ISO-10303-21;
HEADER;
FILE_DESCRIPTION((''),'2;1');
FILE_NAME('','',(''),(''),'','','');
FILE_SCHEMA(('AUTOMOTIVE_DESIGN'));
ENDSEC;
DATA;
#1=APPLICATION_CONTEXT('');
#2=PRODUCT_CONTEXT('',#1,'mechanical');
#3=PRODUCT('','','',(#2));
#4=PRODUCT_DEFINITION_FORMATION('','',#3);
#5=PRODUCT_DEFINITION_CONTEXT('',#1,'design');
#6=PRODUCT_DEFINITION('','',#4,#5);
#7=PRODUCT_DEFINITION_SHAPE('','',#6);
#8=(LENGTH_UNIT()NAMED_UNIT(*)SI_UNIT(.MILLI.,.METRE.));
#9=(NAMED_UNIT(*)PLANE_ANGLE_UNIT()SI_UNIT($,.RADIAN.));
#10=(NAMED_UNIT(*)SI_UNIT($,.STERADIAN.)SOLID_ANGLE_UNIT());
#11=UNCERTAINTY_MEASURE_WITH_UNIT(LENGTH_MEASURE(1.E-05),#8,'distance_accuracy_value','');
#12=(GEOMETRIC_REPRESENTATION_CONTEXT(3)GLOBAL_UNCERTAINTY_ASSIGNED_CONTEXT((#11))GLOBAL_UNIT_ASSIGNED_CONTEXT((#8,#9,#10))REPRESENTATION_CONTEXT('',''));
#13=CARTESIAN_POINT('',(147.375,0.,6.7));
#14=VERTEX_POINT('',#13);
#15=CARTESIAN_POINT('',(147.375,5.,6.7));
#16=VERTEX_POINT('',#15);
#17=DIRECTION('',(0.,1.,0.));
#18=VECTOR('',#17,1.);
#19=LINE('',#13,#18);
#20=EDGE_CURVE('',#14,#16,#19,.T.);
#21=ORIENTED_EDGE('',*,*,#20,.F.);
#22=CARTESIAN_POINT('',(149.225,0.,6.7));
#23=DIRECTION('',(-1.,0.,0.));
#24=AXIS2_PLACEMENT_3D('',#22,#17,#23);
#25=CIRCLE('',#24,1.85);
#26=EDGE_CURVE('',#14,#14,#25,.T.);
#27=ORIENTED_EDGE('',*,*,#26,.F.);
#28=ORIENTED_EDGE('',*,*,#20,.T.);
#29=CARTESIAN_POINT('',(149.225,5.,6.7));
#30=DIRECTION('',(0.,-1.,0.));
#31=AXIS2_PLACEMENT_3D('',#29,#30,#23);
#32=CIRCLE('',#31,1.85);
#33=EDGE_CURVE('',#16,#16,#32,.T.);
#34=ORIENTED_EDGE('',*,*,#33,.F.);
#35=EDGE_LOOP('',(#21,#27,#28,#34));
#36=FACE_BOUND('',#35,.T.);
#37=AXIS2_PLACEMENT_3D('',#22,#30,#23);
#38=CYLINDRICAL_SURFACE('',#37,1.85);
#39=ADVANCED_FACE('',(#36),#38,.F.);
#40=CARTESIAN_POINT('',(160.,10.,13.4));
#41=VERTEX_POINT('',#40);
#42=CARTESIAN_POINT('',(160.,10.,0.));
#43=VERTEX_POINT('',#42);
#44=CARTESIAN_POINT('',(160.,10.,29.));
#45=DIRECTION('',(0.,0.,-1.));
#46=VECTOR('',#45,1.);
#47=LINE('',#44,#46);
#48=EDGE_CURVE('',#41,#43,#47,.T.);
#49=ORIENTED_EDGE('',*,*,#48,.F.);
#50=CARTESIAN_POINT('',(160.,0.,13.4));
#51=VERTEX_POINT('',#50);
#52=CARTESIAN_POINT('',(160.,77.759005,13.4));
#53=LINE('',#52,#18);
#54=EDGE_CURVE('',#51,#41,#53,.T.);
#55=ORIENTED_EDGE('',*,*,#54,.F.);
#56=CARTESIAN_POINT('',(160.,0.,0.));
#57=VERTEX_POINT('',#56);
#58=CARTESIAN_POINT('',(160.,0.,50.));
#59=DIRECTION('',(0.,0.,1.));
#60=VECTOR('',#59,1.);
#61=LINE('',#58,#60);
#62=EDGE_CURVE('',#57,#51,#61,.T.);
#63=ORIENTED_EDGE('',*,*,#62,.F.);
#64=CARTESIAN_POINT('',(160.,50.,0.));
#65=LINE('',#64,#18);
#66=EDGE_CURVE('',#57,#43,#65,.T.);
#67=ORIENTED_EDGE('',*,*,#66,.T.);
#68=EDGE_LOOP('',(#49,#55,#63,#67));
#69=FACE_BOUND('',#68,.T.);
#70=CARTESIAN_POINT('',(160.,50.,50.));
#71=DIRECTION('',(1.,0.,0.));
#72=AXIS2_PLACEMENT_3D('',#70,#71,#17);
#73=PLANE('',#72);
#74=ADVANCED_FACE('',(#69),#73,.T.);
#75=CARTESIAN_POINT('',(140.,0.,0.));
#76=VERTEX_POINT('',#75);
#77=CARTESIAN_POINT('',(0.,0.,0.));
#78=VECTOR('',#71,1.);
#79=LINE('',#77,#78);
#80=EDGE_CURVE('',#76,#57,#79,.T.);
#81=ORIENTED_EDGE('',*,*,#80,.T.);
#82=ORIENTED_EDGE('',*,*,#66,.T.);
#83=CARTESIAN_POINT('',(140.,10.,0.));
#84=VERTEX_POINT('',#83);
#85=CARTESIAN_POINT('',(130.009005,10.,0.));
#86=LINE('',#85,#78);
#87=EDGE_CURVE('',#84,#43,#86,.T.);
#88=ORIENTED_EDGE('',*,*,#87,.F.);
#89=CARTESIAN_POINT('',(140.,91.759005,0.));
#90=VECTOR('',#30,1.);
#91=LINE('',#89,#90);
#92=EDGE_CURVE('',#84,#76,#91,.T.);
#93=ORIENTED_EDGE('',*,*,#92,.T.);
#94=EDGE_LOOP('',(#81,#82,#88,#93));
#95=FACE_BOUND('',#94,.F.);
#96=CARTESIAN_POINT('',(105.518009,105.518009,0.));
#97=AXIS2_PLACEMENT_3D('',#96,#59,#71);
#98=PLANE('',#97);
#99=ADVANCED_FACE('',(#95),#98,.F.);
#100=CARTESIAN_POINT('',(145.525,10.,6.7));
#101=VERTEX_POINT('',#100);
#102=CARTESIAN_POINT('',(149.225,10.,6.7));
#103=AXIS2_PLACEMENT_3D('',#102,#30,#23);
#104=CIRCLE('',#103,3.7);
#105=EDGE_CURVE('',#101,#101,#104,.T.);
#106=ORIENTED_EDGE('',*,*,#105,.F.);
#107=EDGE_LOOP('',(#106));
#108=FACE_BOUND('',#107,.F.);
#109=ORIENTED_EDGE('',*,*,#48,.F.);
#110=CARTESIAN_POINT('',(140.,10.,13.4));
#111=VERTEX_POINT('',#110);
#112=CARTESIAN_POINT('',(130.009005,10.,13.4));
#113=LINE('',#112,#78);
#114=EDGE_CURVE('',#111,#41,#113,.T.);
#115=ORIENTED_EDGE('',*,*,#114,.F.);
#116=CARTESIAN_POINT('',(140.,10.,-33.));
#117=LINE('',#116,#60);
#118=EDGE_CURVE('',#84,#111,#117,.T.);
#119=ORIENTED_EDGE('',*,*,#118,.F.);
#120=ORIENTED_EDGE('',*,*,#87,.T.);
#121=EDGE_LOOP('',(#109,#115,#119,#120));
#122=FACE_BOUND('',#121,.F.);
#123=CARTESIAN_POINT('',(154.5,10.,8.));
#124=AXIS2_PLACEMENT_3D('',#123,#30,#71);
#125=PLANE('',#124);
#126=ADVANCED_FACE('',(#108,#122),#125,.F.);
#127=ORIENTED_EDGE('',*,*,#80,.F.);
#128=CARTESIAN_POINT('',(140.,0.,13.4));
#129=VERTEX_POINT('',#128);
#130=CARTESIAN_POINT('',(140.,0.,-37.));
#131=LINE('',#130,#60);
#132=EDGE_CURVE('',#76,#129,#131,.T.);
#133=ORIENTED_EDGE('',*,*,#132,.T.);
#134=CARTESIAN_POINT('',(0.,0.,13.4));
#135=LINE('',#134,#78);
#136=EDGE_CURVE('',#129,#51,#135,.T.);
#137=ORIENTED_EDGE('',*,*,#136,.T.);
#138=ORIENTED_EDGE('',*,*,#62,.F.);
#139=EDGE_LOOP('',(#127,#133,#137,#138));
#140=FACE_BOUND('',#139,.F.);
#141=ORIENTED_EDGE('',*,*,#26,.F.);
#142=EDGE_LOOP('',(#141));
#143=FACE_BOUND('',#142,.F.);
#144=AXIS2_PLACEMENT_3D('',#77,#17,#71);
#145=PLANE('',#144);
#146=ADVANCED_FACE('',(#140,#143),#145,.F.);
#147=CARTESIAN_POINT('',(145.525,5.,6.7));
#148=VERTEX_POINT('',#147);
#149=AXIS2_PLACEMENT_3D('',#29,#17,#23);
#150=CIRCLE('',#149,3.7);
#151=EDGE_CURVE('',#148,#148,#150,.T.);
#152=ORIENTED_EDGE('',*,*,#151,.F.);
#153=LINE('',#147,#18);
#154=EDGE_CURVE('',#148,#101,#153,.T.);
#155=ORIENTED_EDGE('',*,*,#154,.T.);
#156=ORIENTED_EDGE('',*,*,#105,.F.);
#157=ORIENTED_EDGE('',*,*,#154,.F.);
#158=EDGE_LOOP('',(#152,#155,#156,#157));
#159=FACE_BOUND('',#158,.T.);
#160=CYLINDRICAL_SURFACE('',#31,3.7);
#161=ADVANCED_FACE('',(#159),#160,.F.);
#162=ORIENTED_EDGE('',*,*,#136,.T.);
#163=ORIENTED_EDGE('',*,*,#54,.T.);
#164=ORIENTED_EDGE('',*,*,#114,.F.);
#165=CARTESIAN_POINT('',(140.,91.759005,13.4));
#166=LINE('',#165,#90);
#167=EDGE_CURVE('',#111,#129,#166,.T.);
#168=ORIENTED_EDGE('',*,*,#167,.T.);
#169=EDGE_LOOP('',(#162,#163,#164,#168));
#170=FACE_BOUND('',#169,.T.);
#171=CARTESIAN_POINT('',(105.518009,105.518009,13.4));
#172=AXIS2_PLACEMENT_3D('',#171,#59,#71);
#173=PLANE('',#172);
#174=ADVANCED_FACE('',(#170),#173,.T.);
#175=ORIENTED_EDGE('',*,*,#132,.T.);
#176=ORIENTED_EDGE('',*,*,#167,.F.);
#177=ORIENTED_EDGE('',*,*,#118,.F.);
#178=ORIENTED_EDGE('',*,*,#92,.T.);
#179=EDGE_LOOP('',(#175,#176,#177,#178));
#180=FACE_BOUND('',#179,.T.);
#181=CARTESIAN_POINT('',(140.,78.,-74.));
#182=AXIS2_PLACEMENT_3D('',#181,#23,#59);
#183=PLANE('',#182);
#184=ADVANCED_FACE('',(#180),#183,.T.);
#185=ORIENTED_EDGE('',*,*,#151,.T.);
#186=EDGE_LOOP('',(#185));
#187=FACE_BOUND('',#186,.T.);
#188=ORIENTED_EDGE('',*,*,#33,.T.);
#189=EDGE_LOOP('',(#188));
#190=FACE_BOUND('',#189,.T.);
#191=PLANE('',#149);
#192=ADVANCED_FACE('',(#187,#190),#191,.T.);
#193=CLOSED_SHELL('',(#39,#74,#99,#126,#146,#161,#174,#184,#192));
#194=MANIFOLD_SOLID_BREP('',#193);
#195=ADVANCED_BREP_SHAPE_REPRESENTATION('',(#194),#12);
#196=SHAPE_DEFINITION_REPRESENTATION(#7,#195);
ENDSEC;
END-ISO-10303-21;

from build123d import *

# Parameters (mm, degrees)
PAD_DEPTH              = 13.4
CYLINDER_W             = 6.7
CYLINDER_H             = 298.45
CYLINDER_ANGLE         = 180
CYLINDER001_R          = 99.483333
CYLINDER001_DEPTH      = 32
BOX_W                  = 149.225
BOX_H                  = 30
BOX_DEPTH              = 21
BOX001_W               = 33
BOX001_H               = 149.225
BOX001_DEPTH           = 22
CYLINDER002_R          = 3.7
CYLINDER002_DEPTH      = 105
LINEARPATTERN_COUNT    = 3
LINEARPATTERN_PITCH    = 74.6125
CYLINDER003_R          = 1.85
CYLINDER003_DEPTH      = 100
LINEARPATTERN001_COUNT = 3
LINEARPATTERN001_PITCH = 74.6125
CYLINDER004_R          = 2.55
CYLINDER004_DEPTH      = 10
LINEARPATTERN002_COUNT = 3
LINEARPATTERN002_PITCH = 141.16875
BOX002_W               = 100
BOX002_H               = 1000
BOX002_DEPTH           = 100
BOX003_W               = 100
BOX003_H               = 100
BOX003_DEPTH           = 1000
BOX004_W               = 50
BOX004_H               = 100
BOX004_DEPTH           = 100
BOX005_W               = 500
BOX005_H               = 500
BOX005_DEPTH           = 500
BOX006_W               = 37
BOX006_H               = 26
BOX006_DEPTH           = 16


with BuildPart() as part:
    # Sketch → Pad (new body)
    with BuildSketch(Plane.XY):
        Polygon((0, 0), (298.45, 0), (0, 298.45), align=None)
    extrude(amount=PAD_DEPTH)

    # Cylinder → Cylinder (revolve, cut)
    with BuildSketch(Plane(origin=(0, 0, 6.7), x_dir=(0, 0, 1), z_dir=(-1, 0, 0))):
        with Locations((3.35, 149.225)):
            Rectangle(CYLINDER_W, CYLINDER_H)
    revolve(axis=Axis((0, 0, 6.7), (0, 1, 0)), revolution_arc=CYLINDER_ANGLE, mode=Mode.SUBTRACT)

    # Cylinder001 → Cylinder001 (cut)
    with BuildSketch(Plane(origin=(149.225, 149.225, -8), x_dir=(1, 0, 0), z_dir=(0, 0, 1))):
        Circle(CYLINDER001_R)
    extrude(amount=CYLINDER001_DEPTH, mode=Mode.SUBTRACT)

    # Box → Box (cut)
    with BuildSketch(Plane(origin=(149.225, 79.741667, 17), x_dir=(1, 0, 0), z_dir=(0, 0, -1))):
        with Locations((74.6125, 15)):
            Rectangle(BOX_W, BOX_H)
    extrude(amount=BOX_DEPTH, mode=Mode.SUBTRACT)

    # Box001 → Box001 (cut)
    with BuildSketch(Plane(origin=(49.741667, 303.579167, 17), x_dir=(1, 0, 0), z_dir=(0, 0, -1))):
        with Locations((16.5, 74.6125)):
            Rectangle(BOX001_W, BOX001_H)
    extrude(amount=BOX001_DEPTH, mode=Mode.SUBTRACT)

    # Cylinder002 → Cylinder002 (cut)
    with BuildSketch(Plane(origin=(74.6125, 5, 6.7), x_dir=(-1, 0, 0), z_dir=(0, 1, 0))):
        Circle(CYLINDER002_R)
    cylinder002 = extrude(amount=CYLINDER002_DEPTH, mode=Mode.SUBTRACT)

    # LinearPattern: Cylinder002 ×3
    with Locations(*[(i * LINEARPATTERN_PITCH, 0, 0) for i in range(1, LINEARPATTERN_COUNT)]):
        add(cylinder002, mode=Mode.SUBTRACT)

    # Cylinder003 → Cylinder003 (cut)
    with BuildSketch(Plane(origin=(74.6125, 0, 6.7), x_dir=(-1, 0, 0), z_dir=(0, 1, 0))):
        Circle(CYLINDER003_R)
    cylinder003 = extrude(amount=CYLINDER003_DEPTH, mode=Mode.SUBTRACT)

    # LinearPattern001: Cylinder003 ×3
    with Locations(*[(i * LINEARPATTERN001_PITCH, 0, 0) for i in range(1, LINEARPATTERN001_COUNT)]):
        add(cylinder003, mode=Mode.SUBTRACT)

    # Cylinder004 → Cylinder004 (cut)
    with BuildSketch(Plane(origin=(0, 8.05625, 5), x_dir=(1, 0, 0), z_dir=(0, 0, 1))):
        Circle(CYLINDER004_R)
    cylinder004 = extrude(amount=CYLINDER004_DEPTH, mode=Mode.SUBTRACT)

    # LinearPattern002: Cylinder004 ×3
    with Locations(*[(0, i * LINEARPATTERN002_PITCH, 0) for i in range(1, LINEARPATTERN002_COUNT)]):
        add(cylinder004, mode=Mode.SUBTRACT)

    # Box002 → Box002 (cut)
    with BuildSketch(Plane.XY):
        with Locations((50, 500)):
            Rectangle(BOX002_W, BOX002_H)
    extrude(amount=BOX002_DEPTH, mode=Mode.SUBTRACT)

    # Box003 → Box003 (cut)
    with BuildSketch(Plane.YZ.offset(160)):
        with Locations((50, 50)):
            Rectangle(BOX003_W, BOX003_H)
    extrude(amount=BOX003_DEPTH, mode=Mode.SUBTRACT)

    # Box004 → Box004 (cut)
    with BuildSketch(Plane(origin=(90, 78, -74), x_dir=(1, 0, 0), z_dir=(0, -1, 0))):
        with Locations((25, 50)):
            Rectangle(BOX004_W, BOX004_H)
    extrude(amount=BOX004_DEPTH, mode=Mode.SUBTRACT)

    # Box005 → Box005 (cut)
    with BuildSketch(Plane(origin=(0, 25, 0), x_dir=(0, 1, 0), z_dir=(1, 0, 0))):
        with Locations((250, 250)):
            Rectangle(BOX005_W, BOX005_H)
    extrude(amount=BOX005_DEPTH, mode=Mode.SUBTRACT)

    # Box006 → Box006 (cut)
    with BuildSketch(Plane(origin=(136, 26, -5), x_dir=(1, 0, 0), z_dir=(0, -1, 0))):
        with Locations((18.5, 13)):
            Rectangle(BOX006_W, BOX006_H)
    extrude(amount=BOX006_DEPTH, mode=Mode.SUBTRACT)


solid = part.part
